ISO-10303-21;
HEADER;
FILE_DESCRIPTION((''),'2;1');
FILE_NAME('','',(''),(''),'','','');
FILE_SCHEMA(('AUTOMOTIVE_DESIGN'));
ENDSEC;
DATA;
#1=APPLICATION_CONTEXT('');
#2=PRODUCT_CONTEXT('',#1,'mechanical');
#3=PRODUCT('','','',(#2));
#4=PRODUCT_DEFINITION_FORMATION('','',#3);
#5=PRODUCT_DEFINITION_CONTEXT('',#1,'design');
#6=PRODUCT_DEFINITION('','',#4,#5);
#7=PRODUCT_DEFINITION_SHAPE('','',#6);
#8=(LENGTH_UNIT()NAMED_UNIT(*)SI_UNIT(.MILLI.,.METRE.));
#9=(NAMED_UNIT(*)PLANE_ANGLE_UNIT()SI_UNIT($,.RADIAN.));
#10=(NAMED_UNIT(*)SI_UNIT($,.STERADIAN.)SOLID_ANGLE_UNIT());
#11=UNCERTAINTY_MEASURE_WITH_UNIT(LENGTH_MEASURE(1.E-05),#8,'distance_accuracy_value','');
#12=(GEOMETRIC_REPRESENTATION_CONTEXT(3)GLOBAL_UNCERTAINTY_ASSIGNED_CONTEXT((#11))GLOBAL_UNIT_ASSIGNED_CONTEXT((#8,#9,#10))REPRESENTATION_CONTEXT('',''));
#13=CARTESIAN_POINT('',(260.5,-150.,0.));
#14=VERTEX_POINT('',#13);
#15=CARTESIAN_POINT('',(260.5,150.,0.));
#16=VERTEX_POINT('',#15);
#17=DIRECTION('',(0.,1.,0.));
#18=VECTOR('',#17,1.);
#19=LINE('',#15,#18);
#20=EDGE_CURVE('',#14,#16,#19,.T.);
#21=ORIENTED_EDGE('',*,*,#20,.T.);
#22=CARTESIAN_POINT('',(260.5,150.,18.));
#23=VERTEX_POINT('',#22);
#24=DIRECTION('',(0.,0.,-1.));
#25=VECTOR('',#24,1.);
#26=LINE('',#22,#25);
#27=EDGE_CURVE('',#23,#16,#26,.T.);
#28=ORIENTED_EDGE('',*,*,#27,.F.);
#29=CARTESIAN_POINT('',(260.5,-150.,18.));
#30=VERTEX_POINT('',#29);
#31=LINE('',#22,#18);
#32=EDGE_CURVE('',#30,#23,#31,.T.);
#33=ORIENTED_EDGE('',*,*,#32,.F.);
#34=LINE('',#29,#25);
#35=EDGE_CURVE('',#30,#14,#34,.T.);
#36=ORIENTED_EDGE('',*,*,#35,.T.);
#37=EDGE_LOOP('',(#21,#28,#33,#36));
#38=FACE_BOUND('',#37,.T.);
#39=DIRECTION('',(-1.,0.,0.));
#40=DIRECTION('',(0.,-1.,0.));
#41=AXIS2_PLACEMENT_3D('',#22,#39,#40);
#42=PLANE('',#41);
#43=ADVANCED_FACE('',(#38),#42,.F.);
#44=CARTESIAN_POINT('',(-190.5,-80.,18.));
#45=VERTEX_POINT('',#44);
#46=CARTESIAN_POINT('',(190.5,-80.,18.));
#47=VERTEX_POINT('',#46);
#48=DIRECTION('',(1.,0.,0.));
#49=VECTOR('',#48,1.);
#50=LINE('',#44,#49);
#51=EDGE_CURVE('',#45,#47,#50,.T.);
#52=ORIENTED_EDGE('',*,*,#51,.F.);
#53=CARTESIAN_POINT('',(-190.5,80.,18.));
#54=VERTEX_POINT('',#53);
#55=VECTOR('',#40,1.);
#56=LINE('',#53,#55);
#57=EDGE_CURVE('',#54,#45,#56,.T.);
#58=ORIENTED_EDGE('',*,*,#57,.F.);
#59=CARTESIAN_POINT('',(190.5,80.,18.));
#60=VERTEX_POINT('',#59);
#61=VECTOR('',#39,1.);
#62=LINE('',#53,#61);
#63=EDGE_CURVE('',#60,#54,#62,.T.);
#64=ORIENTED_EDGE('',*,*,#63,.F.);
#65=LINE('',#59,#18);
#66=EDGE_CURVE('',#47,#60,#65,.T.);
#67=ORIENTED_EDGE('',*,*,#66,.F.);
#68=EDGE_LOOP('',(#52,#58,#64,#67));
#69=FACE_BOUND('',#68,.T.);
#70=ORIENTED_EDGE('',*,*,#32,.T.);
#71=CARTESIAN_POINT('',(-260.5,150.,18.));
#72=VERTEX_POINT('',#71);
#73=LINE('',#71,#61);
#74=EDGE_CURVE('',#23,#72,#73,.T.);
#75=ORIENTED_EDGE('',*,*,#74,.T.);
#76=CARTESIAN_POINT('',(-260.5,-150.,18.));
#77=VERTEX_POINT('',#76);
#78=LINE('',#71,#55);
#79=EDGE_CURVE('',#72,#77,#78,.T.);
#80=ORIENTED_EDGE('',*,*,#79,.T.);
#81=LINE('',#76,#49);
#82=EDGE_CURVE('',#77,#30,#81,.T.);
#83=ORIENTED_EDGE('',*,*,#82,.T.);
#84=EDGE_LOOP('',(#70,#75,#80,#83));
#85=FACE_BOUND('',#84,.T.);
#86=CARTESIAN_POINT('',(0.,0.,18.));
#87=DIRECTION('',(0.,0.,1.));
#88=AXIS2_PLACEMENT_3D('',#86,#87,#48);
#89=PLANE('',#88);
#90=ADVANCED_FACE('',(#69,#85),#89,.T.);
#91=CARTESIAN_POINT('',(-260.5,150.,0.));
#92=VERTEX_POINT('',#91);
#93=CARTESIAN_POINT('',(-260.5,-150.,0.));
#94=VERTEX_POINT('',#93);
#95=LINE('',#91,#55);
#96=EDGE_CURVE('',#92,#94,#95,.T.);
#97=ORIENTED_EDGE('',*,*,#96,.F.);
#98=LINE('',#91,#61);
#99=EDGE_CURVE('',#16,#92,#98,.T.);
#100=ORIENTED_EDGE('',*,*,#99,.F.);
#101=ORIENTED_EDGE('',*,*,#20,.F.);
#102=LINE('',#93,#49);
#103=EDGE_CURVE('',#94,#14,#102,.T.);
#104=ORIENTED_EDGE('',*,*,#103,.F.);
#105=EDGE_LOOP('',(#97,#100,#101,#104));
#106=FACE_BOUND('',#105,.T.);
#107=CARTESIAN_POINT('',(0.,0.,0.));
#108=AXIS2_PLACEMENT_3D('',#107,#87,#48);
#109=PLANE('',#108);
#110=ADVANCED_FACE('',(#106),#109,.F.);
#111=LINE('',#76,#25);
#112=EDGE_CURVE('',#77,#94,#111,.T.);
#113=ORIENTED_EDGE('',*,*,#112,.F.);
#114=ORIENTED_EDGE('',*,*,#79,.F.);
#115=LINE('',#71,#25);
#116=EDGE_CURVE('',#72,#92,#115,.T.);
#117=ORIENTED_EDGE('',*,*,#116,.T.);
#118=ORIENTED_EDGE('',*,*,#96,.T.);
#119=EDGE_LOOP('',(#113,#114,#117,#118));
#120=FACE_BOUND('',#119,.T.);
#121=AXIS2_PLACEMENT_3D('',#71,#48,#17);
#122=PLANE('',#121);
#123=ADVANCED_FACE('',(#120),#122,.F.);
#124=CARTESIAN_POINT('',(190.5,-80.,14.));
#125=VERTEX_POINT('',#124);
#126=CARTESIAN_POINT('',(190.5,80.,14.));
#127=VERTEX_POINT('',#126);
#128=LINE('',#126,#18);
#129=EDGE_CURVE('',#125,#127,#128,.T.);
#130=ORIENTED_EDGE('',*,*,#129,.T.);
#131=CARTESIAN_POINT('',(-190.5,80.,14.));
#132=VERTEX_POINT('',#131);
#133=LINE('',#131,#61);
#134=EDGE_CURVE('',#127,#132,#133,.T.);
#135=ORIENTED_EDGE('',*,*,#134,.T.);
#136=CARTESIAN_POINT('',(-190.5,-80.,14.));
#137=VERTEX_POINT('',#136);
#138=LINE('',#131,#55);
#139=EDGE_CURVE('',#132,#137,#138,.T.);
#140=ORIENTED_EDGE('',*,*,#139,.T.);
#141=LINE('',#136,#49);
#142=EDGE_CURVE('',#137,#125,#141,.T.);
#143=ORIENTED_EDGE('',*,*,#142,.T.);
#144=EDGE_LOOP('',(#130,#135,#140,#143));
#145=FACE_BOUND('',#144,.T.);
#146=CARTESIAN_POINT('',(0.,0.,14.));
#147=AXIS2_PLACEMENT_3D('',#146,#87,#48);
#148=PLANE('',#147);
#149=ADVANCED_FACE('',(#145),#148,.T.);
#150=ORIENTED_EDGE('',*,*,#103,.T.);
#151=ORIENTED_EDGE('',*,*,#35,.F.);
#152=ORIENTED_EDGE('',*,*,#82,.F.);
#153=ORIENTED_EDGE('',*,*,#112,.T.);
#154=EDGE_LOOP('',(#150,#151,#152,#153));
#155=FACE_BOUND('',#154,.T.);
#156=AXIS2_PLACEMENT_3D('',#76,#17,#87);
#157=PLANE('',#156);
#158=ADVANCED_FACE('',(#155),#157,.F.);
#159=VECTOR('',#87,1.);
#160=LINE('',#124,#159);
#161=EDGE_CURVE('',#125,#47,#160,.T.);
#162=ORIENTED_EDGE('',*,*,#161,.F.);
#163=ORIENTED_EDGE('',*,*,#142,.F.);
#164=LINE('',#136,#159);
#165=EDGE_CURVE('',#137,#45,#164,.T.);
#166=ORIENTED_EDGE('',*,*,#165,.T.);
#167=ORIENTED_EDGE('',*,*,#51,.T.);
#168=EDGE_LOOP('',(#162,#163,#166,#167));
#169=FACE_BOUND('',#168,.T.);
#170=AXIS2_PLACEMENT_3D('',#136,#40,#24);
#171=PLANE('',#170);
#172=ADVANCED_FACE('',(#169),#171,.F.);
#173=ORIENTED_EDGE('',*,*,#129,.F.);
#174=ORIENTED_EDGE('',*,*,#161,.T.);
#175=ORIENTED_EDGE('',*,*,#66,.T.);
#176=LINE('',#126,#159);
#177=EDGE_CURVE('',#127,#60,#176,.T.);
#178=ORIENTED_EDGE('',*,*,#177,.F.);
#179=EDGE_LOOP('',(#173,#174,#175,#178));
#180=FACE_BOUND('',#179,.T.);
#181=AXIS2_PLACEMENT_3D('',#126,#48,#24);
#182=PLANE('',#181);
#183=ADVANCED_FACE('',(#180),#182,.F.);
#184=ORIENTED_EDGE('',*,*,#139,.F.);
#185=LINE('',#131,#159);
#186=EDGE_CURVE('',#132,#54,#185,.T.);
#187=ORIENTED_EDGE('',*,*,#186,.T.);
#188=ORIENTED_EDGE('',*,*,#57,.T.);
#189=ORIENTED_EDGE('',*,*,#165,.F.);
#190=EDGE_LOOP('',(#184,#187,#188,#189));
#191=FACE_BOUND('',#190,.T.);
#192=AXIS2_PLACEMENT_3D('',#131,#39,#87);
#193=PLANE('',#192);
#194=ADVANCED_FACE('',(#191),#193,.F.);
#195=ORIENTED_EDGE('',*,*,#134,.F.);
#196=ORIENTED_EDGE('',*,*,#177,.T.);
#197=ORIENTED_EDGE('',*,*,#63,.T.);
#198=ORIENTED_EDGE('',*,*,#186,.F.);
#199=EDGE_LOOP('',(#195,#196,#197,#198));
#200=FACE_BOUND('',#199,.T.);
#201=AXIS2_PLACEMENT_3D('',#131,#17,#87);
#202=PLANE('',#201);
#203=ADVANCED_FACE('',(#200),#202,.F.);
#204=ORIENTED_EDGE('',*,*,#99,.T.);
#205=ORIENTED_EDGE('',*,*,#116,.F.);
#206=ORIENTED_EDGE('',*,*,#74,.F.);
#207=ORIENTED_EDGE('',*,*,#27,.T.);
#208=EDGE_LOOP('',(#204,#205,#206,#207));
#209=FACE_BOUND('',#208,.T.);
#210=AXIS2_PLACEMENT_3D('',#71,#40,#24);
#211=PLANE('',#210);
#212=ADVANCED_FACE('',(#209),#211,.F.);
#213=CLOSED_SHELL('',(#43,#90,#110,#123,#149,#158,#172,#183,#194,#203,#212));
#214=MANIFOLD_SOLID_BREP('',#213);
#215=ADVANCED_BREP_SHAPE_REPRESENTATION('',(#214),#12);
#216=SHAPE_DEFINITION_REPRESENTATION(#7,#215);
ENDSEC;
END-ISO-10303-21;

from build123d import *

# Parameters (mm, degrees)
SKETCH1_W           = 521
SKETCH1_H           = 300
BOSS_EXTRUDE1_DEPTH = 18
SKETCH2_W           = 381
SKETCH2_H           = 160
CUT_EXTRUDE1_DEPTH  = 4


with BuildPart() as part:
    # Sketch1 → Boss-Extrude1 (new body)
    with BuildSketch(Plane.XY):
        Rectangle(SKETCH1_W, SKETCH1_H)
    extrude(amount=BOSS_EXTRUDE1_DEPTH)

    # Sketch2 → Cut-Extrude1 (cut)
    with BuildSketch(Plane.XY.offset(18)):
        Rectangle(SKETCH2_W, SKETCH2_H)
    extrude(amount=-CUT_EXTRUDE1_DEPTH, mode=Mode.SUBTRACT)


solid = part.part
